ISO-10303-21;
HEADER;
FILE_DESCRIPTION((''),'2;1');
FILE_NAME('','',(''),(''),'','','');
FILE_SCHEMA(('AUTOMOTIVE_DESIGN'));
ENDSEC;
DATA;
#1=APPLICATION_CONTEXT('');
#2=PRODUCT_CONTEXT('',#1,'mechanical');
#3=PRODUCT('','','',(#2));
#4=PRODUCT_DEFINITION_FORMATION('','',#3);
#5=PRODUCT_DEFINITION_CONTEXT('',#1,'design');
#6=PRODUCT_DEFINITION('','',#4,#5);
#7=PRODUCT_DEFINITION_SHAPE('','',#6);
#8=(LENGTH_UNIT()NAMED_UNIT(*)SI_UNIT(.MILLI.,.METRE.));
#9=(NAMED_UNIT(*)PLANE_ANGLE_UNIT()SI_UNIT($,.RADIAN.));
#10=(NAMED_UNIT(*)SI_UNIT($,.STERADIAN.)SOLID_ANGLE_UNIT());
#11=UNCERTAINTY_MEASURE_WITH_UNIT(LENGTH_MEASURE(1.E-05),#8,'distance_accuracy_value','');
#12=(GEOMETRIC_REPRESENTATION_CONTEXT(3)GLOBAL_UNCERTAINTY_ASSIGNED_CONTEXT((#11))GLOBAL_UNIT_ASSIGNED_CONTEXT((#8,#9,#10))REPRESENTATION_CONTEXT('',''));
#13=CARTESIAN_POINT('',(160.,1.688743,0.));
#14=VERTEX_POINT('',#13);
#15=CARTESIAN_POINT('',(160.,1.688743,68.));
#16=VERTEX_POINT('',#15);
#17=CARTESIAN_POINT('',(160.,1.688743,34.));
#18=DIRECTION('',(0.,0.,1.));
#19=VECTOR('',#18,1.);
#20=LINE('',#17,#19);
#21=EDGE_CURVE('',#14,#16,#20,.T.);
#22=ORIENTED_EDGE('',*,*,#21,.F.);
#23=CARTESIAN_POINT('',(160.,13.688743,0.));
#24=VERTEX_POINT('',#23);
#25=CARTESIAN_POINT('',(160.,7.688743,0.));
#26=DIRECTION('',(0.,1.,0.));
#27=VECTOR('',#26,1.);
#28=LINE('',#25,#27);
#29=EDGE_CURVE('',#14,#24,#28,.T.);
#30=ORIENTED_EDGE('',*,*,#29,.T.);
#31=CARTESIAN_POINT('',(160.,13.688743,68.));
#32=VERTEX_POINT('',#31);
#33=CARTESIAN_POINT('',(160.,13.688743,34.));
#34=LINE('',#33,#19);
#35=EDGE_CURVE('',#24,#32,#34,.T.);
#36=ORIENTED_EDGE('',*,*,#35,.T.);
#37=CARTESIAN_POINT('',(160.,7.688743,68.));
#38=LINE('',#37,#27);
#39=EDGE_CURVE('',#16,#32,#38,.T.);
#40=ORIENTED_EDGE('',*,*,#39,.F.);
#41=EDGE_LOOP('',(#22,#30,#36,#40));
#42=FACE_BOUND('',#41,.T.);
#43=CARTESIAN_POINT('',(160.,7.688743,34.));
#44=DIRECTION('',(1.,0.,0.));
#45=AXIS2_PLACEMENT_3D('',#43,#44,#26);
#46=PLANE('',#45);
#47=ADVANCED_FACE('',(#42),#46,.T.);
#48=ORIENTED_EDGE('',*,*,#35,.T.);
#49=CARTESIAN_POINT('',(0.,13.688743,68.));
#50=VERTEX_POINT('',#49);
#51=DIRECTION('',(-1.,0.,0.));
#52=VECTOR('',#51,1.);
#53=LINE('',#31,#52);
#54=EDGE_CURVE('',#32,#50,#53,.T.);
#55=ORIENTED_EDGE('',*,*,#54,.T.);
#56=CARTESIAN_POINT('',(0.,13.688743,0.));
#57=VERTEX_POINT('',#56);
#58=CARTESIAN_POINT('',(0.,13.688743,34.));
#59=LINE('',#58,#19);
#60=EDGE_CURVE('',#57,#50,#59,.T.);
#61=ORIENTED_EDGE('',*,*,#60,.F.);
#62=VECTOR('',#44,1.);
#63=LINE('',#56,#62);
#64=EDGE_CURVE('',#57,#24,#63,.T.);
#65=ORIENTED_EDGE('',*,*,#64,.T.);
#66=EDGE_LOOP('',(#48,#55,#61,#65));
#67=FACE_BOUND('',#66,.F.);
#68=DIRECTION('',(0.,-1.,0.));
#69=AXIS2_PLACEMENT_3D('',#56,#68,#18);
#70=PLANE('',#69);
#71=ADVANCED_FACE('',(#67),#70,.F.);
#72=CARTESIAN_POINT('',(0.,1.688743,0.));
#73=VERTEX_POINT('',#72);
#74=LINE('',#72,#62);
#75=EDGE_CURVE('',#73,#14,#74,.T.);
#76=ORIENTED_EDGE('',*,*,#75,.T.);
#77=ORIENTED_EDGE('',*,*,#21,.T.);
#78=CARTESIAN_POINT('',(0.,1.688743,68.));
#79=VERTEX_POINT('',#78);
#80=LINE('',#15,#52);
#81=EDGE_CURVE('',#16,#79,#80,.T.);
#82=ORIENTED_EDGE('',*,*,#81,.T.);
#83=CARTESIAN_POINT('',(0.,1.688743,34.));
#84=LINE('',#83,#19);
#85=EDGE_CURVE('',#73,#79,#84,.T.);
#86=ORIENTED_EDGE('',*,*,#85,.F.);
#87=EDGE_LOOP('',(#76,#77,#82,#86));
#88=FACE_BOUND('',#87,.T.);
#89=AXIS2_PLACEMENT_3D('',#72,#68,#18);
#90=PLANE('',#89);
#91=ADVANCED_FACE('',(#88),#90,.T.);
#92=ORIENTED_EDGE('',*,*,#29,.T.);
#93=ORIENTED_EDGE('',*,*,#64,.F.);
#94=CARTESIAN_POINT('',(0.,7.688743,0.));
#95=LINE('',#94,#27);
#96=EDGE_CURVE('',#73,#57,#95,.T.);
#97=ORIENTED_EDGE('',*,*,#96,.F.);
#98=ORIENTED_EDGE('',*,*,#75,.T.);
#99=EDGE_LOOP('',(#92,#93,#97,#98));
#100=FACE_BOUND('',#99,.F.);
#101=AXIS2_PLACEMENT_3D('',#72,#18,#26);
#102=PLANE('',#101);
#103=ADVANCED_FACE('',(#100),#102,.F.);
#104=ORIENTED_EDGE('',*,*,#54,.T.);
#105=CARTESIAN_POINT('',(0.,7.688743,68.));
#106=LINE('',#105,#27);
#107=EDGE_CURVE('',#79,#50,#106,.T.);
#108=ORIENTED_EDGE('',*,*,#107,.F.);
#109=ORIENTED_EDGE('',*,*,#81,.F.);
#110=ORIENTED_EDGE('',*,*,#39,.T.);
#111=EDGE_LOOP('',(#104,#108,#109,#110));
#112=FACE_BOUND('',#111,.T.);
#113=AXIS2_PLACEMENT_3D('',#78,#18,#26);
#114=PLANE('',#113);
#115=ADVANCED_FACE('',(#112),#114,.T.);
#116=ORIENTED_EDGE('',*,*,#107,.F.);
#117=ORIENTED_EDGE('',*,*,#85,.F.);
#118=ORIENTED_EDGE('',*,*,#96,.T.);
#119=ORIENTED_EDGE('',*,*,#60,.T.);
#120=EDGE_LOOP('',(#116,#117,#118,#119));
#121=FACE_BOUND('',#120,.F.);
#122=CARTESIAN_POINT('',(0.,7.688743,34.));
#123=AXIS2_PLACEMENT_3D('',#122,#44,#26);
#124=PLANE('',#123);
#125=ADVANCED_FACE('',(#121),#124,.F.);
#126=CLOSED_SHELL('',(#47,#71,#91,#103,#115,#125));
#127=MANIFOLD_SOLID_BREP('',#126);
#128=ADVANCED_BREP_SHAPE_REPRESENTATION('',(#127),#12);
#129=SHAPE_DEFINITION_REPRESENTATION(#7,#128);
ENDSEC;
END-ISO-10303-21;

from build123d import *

# Parameters (mm, degrees)
F0_W     = 12
F0_H     = 68
F1_DEPTH = 16
F2_DEPTH = 160


with BuildPart() as f1:
    # F0 (on Right) → F1 (new body)
    with BuildSketch(Plane.YZ):
        with Locations((7.688743, 34)):
            Rectangle(F0_W, F0_H)
    extrude(amount=F1_DEPTH)

    # F0 (on Right) → F2 (join)
    with BuildSketch(Plane.YZ):
        with Locations((7.688743, 34)):
            Rectangle(F0_W, F0_H)
    extrude(amount=F2_DEPTH)


solid = f1.part
